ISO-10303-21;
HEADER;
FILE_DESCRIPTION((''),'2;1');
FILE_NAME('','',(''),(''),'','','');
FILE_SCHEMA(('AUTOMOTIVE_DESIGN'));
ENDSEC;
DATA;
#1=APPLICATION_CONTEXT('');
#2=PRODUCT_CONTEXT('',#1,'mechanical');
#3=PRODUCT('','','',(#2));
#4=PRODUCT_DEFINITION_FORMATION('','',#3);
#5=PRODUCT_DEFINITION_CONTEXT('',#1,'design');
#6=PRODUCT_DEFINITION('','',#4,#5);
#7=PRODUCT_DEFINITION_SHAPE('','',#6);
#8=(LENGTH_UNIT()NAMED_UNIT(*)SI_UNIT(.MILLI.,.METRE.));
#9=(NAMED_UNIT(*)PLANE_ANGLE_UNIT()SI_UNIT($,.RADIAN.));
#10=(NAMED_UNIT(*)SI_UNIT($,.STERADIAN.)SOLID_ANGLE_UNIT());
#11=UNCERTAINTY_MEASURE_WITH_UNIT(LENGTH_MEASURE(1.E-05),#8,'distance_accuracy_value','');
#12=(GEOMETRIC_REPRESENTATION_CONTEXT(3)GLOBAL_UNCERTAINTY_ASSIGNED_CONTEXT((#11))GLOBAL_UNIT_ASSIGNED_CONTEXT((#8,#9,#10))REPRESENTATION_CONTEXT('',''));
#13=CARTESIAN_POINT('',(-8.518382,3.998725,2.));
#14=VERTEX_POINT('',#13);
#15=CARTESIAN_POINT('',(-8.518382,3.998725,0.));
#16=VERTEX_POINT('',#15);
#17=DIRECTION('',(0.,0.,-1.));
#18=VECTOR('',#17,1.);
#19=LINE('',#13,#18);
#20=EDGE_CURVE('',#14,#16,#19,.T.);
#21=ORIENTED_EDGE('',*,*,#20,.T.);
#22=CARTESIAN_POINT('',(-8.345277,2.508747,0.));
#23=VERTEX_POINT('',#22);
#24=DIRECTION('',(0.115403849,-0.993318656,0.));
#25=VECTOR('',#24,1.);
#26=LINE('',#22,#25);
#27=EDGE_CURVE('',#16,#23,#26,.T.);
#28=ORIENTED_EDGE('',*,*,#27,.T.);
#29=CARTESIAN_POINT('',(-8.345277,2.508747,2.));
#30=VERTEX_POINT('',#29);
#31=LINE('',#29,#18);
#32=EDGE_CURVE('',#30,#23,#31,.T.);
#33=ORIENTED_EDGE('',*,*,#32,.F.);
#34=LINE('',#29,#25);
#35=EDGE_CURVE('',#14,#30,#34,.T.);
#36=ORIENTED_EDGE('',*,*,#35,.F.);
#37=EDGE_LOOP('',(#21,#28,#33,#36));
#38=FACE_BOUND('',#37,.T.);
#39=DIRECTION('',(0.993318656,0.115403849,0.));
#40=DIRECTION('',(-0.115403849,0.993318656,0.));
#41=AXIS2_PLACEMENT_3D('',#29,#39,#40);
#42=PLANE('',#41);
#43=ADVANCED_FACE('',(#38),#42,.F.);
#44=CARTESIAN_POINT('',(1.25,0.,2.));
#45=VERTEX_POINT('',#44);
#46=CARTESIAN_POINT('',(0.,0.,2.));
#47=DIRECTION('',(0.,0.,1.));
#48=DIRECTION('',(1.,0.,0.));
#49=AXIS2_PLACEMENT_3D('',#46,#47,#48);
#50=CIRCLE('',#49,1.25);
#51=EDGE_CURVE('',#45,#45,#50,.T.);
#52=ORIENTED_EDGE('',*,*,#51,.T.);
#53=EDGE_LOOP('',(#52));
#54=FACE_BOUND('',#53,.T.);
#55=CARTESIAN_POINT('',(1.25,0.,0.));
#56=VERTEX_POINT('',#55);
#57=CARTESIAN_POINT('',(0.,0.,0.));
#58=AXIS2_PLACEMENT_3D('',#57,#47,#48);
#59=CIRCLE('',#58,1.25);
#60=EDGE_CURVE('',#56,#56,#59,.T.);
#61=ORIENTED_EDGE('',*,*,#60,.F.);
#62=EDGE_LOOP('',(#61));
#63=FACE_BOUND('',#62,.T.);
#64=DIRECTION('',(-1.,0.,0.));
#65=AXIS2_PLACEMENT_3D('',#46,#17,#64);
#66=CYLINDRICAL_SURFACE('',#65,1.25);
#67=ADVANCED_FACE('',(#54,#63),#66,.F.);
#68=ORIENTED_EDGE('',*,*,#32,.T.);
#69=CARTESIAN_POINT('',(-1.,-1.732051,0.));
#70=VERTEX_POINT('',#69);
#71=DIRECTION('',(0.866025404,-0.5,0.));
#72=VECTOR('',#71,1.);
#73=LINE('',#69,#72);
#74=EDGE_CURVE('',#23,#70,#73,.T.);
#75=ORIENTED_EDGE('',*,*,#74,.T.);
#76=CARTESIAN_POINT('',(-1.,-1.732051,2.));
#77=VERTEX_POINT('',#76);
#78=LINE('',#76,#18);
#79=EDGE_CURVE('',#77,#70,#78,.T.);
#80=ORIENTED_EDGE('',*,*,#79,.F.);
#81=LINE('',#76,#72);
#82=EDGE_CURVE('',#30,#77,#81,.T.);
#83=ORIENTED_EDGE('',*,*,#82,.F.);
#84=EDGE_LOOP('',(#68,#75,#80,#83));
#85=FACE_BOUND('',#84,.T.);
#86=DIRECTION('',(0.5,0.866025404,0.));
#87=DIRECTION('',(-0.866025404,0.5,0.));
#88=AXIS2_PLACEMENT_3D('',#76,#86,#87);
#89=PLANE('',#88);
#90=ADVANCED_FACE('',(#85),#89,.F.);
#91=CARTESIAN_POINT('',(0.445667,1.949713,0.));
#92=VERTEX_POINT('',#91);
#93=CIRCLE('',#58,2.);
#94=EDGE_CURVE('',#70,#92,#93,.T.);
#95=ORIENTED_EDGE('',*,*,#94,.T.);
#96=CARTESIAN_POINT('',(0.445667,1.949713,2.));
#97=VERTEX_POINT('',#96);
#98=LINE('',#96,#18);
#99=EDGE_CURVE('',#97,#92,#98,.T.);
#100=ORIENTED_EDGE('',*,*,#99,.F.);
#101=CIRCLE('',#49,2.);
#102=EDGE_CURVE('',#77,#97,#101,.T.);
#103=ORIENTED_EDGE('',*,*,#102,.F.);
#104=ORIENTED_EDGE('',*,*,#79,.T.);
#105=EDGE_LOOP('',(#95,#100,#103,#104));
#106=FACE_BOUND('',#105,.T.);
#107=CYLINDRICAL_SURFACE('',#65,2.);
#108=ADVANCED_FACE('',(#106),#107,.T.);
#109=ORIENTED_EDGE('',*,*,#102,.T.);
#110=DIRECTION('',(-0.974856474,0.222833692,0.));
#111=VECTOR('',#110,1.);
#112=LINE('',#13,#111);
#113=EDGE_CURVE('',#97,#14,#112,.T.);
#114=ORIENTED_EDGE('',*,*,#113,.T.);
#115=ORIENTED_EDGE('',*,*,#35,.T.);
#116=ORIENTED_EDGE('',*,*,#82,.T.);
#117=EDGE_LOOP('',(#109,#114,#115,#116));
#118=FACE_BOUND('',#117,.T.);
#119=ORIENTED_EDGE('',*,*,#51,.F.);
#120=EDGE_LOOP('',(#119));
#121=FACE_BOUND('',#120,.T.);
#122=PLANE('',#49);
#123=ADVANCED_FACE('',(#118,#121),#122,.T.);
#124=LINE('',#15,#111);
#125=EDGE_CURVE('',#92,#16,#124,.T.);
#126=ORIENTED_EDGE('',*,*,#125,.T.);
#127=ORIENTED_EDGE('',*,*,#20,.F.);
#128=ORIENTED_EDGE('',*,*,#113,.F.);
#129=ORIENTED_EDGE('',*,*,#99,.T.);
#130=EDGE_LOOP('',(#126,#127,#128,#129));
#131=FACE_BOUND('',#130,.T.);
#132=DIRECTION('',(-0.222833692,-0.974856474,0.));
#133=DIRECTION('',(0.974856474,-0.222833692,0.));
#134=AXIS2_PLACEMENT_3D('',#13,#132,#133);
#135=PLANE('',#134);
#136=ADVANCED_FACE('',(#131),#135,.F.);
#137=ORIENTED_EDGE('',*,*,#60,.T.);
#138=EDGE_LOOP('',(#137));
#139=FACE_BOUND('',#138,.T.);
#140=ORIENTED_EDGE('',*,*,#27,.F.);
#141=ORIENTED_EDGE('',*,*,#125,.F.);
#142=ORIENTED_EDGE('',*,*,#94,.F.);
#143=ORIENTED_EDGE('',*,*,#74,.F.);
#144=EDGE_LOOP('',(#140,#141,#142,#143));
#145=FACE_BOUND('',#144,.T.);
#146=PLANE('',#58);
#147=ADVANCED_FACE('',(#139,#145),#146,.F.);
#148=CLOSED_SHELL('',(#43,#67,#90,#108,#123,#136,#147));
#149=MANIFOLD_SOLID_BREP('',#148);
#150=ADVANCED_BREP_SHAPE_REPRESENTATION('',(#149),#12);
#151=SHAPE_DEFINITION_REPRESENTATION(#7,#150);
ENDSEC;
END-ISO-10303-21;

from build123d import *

# Parameters (mm, degrees)
SKETCH_1_R      = 1.25
EXTRUDE_1_DEPTH = 2


with BuildPart() as part:
    # 草图1 → 凸台-拉伸1 (new body)
    with BuildSketch(Plane.XY):
        with BuildLine():
            Line((-1, -1.732050808), (-8.345276688, 2.508746666))
            Line((-8.345276688, 2.508746666), (-8.518382461, 3.998724649))
            Line((-8.518382461, 3.998724649), (0.445667384, 1.949712949))
            ThreePointArc((0.445667384, 1.949712949), (1.861630267, -0.730980676), (-1, -1.732050808))
        make_face()
        Circle(SKETCH_1_R, mode=Mode.SUBTRACT)
    extrude(amount=EXTRUDE_1_DEPTH)


solid = part.part
